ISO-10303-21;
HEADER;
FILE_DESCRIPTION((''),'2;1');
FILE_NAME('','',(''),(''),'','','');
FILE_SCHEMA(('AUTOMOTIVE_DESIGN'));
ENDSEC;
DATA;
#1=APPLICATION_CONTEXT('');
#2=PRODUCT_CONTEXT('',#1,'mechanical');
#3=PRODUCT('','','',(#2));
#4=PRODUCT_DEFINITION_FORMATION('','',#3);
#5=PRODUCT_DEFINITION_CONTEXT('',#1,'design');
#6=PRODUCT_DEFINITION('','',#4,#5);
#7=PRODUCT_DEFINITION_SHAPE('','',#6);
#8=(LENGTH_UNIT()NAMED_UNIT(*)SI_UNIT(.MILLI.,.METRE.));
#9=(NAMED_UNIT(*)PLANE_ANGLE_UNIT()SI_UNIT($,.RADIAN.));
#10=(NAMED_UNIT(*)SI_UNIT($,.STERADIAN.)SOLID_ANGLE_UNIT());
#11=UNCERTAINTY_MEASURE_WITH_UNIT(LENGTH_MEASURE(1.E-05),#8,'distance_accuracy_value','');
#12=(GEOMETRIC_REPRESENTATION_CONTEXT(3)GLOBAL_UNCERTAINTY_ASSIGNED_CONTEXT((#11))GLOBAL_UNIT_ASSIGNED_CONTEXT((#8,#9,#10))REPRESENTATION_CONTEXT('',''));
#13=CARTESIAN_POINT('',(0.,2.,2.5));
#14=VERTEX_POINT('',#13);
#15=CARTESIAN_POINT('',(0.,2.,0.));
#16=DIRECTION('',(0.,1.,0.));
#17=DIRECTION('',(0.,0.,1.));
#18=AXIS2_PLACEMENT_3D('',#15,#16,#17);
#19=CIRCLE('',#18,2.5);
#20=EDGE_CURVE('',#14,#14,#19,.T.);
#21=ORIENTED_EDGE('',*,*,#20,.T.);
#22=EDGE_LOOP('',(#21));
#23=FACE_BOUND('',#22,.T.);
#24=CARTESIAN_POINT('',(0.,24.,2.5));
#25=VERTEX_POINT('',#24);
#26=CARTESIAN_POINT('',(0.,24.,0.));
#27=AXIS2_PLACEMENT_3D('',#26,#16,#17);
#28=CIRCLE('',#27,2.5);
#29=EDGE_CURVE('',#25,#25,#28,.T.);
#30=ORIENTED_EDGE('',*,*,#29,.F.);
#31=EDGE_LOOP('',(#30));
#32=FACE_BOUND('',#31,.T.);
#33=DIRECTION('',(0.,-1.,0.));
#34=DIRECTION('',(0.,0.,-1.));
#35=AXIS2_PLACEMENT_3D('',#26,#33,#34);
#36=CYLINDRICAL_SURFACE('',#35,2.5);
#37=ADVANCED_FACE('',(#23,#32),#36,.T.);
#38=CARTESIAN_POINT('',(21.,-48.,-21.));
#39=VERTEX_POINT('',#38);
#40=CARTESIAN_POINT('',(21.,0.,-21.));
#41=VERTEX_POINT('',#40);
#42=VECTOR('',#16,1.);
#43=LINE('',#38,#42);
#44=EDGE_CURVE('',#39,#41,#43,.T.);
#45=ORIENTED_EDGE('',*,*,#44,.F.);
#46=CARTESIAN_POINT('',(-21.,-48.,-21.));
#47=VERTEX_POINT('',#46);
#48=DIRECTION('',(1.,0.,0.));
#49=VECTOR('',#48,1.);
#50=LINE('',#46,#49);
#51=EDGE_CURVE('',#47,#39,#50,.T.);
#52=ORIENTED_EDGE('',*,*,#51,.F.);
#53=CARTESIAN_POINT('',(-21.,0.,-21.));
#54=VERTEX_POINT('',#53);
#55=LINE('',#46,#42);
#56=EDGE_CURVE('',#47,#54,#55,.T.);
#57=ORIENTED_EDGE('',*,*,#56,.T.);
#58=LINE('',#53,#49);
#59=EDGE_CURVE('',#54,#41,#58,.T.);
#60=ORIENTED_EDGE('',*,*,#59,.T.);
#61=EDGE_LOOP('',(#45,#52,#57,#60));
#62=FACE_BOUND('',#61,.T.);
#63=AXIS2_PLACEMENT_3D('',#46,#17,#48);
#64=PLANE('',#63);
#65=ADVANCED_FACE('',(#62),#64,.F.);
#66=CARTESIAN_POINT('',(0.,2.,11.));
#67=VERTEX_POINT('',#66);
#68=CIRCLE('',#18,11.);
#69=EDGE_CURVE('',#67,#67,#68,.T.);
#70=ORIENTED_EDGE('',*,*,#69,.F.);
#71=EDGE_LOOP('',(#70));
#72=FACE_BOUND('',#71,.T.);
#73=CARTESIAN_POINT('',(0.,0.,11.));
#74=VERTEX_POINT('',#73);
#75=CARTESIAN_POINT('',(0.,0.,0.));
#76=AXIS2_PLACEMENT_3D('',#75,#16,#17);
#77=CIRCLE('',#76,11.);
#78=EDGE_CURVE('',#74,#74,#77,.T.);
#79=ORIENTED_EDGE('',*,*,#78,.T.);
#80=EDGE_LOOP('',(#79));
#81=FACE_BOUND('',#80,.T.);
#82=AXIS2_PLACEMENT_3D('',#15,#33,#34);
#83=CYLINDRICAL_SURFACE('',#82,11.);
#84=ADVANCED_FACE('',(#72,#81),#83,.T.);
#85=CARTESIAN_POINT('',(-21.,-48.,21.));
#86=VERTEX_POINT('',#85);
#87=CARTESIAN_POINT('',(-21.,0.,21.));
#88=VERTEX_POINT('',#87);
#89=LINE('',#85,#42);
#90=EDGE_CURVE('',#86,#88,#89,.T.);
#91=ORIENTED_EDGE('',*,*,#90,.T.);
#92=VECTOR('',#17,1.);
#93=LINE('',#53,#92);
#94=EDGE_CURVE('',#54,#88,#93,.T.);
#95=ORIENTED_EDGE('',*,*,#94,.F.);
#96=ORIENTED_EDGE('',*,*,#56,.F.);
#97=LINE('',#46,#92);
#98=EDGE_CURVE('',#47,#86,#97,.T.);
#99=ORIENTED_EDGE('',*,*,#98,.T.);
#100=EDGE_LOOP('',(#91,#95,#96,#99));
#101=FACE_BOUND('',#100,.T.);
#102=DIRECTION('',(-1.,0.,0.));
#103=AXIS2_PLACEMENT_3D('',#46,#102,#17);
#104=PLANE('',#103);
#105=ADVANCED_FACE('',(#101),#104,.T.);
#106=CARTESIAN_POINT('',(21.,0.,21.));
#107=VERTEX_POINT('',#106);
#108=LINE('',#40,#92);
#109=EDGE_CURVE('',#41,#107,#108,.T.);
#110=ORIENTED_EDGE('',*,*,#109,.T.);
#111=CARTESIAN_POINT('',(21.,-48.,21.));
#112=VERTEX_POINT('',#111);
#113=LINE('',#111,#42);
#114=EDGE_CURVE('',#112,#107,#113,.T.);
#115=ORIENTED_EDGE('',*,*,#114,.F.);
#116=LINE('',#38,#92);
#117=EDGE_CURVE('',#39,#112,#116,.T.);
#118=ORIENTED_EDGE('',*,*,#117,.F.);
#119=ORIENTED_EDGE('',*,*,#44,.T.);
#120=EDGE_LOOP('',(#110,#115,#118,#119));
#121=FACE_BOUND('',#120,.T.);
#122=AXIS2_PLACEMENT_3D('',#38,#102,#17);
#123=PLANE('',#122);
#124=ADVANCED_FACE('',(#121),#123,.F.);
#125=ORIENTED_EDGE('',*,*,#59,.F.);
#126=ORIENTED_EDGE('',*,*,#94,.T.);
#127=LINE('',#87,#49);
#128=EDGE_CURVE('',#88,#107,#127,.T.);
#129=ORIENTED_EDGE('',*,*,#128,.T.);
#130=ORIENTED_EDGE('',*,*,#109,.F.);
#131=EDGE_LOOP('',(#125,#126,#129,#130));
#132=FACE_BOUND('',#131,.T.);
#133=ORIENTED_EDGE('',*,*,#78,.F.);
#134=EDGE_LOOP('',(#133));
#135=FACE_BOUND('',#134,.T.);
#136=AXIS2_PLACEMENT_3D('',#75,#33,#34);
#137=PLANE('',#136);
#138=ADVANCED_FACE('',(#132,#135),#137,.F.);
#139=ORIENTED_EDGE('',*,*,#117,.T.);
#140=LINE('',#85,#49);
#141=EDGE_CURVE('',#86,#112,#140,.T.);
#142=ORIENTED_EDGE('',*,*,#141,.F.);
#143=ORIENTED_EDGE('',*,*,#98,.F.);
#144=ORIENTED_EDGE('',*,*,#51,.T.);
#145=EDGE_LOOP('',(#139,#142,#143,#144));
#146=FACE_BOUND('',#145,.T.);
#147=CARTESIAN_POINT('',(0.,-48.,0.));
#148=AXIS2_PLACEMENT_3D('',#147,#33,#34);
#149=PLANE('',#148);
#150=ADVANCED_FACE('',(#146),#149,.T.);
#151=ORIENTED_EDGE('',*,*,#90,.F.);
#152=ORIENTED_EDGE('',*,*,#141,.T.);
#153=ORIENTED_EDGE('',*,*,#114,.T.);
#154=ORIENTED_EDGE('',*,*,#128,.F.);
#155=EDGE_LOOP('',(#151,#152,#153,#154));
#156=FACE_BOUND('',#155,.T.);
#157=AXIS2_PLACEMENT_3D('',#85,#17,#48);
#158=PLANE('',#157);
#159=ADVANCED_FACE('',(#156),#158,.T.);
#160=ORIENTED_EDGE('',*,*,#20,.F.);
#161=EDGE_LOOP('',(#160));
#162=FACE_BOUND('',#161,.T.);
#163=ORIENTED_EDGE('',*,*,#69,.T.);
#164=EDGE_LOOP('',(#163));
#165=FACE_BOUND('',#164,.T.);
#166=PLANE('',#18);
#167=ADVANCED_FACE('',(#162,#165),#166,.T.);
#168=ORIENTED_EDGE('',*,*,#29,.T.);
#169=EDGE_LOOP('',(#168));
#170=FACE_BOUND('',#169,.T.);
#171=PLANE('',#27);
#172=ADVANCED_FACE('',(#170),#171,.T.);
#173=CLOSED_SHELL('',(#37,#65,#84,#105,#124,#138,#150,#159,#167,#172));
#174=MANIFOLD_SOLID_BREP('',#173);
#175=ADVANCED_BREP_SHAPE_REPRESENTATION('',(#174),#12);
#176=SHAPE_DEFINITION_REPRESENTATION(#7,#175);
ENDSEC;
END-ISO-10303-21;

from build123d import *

# Parameters (mm, degrees)
SKETCH1_W           = 42
SKETCH1_H           = 42
BOSS_EXTRUDE2_DEPTH = 48
SKETCH5_R           = 11
BOSS_EXTRUDE3_DEPTH = 2
SKETCH6_R           = 2.5
BOSS_EXTRUDE4_DEPTH = 22


with BuildPart() as part:
    # Sketch1 → Boss-Extrude2 (new body)
    with BuildSketch(Plane(origin=(0, 0, 0), x_dir=(1, 0, 0), z_dir=(0, 1, 0))):
        Rectangle(SKETCH1_W, SKETCH1_H)
    extrude(amount=-BOSS_EXTRUDE2_DEPTH)

    # Sketch5 → Boss-Extrude3 (add)
    with BuildSketch(Plane(origin=(0, 0, 0), x_dir=(1, 0, 0), z_dir=(0, 1, 0))):
        with Locations(Location((0, 0, 0), (0, 0, 270))):
            Circle(SKETCH5_R)
    extrude(amount=BOSS_EXTRUDE3_DEPTH)

    # Sketch6 → Boss-Extrude4 (add)
    with BuildSketch(Plane(origin=(0, 2, 0), x_dir=(1, 0, 0), z_dir=(0, 1, 0))):
        with Locations(Location((0, 0, 0), (0, 0, 270))):
            Circle(SKETCH6_R)
    extrude(amount=BOSS_EXTRUDE4_DEPTH)


solid = part.part
